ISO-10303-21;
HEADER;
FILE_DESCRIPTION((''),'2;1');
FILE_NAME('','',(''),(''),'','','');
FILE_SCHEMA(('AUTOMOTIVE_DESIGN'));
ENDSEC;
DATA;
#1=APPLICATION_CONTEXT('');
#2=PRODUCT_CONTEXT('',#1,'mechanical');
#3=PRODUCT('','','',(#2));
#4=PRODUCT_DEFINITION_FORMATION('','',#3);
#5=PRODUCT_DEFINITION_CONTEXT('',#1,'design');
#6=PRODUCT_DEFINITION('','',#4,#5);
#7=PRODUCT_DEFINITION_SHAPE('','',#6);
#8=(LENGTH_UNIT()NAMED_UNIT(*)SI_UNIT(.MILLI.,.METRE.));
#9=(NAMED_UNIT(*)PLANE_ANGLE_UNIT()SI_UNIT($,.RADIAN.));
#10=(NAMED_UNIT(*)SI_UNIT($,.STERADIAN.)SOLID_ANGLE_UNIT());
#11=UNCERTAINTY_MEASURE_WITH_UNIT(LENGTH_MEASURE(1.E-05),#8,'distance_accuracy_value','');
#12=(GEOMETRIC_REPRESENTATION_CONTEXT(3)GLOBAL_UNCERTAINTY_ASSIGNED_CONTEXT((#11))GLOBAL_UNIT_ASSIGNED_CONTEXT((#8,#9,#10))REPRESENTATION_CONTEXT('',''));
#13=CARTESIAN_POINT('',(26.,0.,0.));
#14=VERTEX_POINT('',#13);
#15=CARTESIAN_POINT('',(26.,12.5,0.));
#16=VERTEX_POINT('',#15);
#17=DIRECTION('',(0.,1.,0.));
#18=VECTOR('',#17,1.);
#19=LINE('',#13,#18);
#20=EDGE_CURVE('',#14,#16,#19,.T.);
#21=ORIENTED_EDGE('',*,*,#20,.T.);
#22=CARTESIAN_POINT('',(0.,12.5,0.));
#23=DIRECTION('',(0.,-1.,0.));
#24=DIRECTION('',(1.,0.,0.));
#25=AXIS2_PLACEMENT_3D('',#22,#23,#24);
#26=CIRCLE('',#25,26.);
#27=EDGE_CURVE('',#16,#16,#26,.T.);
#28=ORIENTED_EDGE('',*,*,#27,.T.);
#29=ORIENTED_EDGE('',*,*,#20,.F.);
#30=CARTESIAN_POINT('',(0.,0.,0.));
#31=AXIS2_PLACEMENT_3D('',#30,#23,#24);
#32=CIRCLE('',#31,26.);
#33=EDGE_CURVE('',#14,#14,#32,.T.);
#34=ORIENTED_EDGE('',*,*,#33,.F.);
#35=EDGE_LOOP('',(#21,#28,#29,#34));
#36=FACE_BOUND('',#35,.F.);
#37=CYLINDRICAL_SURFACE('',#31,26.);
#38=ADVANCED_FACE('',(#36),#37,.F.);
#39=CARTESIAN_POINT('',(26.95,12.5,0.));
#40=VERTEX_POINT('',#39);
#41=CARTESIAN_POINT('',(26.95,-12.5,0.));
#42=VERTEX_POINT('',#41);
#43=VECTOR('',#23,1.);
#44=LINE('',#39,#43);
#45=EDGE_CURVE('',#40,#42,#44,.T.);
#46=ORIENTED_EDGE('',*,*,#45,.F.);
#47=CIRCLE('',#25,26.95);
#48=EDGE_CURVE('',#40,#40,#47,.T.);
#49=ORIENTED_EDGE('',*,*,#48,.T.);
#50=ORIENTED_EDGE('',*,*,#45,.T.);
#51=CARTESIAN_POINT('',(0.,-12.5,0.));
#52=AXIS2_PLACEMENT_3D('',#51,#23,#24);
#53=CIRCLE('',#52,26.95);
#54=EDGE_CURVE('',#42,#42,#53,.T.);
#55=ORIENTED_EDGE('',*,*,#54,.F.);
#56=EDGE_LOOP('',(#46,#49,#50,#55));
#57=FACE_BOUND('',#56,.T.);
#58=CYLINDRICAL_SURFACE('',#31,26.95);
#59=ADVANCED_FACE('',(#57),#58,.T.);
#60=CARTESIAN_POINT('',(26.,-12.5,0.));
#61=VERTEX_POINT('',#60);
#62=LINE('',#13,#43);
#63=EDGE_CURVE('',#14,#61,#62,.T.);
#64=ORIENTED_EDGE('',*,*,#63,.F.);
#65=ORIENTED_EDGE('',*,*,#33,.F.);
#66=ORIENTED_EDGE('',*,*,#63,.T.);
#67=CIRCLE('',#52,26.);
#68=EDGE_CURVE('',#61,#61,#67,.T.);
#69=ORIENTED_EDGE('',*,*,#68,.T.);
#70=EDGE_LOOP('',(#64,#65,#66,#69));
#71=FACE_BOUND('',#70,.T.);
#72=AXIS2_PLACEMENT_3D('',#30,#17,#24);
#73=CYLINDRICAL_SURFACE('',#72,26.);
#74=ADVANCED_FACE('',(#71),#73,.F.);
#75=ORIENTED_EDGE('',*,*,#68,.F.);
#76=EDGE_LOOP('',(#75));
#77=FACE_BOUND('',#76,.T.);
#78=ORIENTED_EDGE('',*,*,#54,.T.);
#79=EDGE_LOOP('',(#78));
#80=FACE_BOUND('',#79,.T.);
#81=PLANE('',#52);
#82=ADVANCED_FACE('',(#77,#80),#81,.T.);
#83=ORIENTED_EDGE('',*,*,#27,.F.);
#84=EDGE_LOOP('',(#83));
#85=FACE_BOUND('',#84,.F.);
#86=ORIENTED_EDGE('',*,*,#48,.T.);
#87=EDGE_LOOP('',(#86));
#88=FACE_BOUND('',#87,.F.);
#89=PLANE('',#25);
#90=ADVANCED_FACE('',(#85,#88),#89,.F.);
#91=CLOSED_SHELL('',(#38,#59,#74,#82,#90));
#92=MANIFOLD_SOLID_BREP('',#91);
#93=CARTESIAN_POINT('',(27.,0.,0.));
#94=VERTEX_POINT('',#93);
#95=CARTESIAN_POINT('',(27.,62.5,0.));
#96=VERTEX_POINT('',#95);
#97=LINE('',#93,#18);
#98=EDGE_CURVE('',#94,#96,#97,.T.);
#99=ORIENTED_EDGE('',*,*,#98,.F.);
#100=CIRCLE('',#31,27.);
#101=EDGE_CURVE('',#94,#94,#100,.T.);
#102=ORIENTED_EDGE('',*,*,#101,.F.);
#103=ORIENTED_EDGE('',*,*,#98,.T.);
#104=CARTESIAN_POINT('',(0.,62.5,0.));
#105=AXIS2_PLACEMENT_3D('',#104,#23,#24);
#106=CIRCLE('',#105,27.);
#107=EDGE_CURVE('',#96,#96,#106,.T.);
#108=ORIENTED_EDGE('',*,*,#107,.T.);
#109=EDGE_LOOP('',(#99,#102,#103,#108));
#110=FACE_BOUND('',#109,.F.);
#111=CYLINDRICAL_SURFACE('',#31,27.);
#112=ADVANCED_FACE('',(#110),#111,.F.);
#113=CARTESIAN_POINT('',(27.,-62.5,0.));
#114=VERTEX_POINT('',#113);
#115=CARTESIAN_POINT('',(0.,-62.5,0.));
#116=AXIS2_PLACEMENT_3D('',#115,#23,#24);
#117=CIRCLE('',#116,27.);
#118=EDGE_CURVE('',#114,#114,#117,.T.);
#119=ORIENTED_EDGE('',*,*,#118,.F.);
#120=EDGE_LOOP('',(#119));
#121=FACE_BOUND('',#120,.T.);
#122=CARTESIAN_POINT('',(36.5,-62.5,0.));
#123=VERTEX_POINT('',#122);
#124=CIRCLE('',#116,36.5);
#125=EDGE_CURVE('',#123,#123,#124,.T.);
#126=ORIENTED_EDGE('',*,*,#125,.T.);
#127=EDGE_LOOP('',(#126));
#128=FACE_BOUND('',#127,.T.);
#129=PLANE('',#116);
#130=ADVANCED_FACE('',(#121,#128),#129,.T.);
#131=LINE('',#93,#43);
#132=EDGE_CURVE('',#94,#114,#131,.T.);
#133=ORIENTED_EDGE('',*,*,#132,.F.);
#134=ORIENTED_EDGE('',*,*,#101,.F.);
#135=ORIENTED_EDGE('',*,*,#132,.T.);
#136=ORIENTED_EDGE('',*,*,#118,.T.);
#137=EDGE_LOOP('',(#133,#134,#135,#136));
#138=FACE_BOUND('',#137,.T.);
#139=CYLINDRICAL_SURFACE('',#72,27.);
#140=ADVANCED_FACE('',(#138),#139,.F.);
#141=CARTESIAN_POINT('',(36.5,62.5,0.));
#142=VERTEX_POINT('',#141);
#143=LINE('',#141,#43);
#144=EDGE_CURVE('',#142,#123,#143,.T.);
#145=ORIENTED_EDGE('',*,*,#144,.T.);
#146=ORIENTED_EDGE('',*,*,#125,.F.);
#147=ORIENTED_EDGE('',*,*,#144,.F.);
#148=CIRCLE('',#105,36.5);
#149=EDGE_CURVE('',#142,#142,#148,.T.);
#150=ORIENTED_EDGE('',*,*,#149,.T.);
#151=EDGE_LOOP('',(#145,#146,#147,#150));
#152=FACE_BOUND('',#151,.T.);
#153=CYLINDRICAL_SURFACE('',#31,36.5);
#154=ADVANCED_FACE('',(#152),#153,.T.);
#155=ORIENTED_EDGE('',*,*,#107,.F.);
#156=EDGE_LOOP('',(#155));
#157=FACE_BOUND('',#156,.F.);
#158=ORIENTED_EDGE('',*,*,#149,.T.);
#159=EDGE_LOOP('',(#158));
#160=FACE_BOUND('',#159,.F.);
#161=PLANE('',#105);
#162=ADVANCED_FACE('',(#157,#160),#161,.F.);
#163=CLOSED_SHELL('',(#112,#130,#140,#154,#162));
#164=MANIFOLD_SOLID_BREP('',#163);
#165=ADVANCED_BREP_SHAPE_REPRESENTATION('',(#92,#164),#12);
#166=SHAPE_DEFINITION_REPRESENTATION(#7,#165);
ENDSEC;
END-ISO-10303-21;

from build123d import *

# Parameters (mm, degrees)
F0_R          = 36.5
F0_R_2        = 27
F1_DEPTH      = 62.5
F1_DEPTH_BACK = 62.5
F2_R          = 26.95
F2_R_2        = 26
F3_DEPTH      = 12.5
F3_DEPTH_BACK = 12.5


with BuildPart() as f1:
    # F0 (on Front) → F1 (new body, two sides)
    with BuildSketch(Plane.XZ) as f1_sk:
        Circle(F0_R)
        Circle(F0_R_2, mode=Mode.SUBTRACT)
    extrude(amount=F1_DEPTH)
    extrude(f1_sk.sketch, amount=-F1_DEPTH_BACK)


with BuildPart() as f3:
    # F2 (on Front) → F3 (new body, two sides)
    with BuildSketch(Plane.XZ) as f3_sk:
        Circle(F2_R)
        Circle(F2_R_2, mode=Mode.SUBTRACT)
    extrude(amount=F3_DEPTH)
    extrude(f3_sk.sketch, amount=-F3_DEPTH_BACK)


solid = Compound([f1.part, f3.part])
